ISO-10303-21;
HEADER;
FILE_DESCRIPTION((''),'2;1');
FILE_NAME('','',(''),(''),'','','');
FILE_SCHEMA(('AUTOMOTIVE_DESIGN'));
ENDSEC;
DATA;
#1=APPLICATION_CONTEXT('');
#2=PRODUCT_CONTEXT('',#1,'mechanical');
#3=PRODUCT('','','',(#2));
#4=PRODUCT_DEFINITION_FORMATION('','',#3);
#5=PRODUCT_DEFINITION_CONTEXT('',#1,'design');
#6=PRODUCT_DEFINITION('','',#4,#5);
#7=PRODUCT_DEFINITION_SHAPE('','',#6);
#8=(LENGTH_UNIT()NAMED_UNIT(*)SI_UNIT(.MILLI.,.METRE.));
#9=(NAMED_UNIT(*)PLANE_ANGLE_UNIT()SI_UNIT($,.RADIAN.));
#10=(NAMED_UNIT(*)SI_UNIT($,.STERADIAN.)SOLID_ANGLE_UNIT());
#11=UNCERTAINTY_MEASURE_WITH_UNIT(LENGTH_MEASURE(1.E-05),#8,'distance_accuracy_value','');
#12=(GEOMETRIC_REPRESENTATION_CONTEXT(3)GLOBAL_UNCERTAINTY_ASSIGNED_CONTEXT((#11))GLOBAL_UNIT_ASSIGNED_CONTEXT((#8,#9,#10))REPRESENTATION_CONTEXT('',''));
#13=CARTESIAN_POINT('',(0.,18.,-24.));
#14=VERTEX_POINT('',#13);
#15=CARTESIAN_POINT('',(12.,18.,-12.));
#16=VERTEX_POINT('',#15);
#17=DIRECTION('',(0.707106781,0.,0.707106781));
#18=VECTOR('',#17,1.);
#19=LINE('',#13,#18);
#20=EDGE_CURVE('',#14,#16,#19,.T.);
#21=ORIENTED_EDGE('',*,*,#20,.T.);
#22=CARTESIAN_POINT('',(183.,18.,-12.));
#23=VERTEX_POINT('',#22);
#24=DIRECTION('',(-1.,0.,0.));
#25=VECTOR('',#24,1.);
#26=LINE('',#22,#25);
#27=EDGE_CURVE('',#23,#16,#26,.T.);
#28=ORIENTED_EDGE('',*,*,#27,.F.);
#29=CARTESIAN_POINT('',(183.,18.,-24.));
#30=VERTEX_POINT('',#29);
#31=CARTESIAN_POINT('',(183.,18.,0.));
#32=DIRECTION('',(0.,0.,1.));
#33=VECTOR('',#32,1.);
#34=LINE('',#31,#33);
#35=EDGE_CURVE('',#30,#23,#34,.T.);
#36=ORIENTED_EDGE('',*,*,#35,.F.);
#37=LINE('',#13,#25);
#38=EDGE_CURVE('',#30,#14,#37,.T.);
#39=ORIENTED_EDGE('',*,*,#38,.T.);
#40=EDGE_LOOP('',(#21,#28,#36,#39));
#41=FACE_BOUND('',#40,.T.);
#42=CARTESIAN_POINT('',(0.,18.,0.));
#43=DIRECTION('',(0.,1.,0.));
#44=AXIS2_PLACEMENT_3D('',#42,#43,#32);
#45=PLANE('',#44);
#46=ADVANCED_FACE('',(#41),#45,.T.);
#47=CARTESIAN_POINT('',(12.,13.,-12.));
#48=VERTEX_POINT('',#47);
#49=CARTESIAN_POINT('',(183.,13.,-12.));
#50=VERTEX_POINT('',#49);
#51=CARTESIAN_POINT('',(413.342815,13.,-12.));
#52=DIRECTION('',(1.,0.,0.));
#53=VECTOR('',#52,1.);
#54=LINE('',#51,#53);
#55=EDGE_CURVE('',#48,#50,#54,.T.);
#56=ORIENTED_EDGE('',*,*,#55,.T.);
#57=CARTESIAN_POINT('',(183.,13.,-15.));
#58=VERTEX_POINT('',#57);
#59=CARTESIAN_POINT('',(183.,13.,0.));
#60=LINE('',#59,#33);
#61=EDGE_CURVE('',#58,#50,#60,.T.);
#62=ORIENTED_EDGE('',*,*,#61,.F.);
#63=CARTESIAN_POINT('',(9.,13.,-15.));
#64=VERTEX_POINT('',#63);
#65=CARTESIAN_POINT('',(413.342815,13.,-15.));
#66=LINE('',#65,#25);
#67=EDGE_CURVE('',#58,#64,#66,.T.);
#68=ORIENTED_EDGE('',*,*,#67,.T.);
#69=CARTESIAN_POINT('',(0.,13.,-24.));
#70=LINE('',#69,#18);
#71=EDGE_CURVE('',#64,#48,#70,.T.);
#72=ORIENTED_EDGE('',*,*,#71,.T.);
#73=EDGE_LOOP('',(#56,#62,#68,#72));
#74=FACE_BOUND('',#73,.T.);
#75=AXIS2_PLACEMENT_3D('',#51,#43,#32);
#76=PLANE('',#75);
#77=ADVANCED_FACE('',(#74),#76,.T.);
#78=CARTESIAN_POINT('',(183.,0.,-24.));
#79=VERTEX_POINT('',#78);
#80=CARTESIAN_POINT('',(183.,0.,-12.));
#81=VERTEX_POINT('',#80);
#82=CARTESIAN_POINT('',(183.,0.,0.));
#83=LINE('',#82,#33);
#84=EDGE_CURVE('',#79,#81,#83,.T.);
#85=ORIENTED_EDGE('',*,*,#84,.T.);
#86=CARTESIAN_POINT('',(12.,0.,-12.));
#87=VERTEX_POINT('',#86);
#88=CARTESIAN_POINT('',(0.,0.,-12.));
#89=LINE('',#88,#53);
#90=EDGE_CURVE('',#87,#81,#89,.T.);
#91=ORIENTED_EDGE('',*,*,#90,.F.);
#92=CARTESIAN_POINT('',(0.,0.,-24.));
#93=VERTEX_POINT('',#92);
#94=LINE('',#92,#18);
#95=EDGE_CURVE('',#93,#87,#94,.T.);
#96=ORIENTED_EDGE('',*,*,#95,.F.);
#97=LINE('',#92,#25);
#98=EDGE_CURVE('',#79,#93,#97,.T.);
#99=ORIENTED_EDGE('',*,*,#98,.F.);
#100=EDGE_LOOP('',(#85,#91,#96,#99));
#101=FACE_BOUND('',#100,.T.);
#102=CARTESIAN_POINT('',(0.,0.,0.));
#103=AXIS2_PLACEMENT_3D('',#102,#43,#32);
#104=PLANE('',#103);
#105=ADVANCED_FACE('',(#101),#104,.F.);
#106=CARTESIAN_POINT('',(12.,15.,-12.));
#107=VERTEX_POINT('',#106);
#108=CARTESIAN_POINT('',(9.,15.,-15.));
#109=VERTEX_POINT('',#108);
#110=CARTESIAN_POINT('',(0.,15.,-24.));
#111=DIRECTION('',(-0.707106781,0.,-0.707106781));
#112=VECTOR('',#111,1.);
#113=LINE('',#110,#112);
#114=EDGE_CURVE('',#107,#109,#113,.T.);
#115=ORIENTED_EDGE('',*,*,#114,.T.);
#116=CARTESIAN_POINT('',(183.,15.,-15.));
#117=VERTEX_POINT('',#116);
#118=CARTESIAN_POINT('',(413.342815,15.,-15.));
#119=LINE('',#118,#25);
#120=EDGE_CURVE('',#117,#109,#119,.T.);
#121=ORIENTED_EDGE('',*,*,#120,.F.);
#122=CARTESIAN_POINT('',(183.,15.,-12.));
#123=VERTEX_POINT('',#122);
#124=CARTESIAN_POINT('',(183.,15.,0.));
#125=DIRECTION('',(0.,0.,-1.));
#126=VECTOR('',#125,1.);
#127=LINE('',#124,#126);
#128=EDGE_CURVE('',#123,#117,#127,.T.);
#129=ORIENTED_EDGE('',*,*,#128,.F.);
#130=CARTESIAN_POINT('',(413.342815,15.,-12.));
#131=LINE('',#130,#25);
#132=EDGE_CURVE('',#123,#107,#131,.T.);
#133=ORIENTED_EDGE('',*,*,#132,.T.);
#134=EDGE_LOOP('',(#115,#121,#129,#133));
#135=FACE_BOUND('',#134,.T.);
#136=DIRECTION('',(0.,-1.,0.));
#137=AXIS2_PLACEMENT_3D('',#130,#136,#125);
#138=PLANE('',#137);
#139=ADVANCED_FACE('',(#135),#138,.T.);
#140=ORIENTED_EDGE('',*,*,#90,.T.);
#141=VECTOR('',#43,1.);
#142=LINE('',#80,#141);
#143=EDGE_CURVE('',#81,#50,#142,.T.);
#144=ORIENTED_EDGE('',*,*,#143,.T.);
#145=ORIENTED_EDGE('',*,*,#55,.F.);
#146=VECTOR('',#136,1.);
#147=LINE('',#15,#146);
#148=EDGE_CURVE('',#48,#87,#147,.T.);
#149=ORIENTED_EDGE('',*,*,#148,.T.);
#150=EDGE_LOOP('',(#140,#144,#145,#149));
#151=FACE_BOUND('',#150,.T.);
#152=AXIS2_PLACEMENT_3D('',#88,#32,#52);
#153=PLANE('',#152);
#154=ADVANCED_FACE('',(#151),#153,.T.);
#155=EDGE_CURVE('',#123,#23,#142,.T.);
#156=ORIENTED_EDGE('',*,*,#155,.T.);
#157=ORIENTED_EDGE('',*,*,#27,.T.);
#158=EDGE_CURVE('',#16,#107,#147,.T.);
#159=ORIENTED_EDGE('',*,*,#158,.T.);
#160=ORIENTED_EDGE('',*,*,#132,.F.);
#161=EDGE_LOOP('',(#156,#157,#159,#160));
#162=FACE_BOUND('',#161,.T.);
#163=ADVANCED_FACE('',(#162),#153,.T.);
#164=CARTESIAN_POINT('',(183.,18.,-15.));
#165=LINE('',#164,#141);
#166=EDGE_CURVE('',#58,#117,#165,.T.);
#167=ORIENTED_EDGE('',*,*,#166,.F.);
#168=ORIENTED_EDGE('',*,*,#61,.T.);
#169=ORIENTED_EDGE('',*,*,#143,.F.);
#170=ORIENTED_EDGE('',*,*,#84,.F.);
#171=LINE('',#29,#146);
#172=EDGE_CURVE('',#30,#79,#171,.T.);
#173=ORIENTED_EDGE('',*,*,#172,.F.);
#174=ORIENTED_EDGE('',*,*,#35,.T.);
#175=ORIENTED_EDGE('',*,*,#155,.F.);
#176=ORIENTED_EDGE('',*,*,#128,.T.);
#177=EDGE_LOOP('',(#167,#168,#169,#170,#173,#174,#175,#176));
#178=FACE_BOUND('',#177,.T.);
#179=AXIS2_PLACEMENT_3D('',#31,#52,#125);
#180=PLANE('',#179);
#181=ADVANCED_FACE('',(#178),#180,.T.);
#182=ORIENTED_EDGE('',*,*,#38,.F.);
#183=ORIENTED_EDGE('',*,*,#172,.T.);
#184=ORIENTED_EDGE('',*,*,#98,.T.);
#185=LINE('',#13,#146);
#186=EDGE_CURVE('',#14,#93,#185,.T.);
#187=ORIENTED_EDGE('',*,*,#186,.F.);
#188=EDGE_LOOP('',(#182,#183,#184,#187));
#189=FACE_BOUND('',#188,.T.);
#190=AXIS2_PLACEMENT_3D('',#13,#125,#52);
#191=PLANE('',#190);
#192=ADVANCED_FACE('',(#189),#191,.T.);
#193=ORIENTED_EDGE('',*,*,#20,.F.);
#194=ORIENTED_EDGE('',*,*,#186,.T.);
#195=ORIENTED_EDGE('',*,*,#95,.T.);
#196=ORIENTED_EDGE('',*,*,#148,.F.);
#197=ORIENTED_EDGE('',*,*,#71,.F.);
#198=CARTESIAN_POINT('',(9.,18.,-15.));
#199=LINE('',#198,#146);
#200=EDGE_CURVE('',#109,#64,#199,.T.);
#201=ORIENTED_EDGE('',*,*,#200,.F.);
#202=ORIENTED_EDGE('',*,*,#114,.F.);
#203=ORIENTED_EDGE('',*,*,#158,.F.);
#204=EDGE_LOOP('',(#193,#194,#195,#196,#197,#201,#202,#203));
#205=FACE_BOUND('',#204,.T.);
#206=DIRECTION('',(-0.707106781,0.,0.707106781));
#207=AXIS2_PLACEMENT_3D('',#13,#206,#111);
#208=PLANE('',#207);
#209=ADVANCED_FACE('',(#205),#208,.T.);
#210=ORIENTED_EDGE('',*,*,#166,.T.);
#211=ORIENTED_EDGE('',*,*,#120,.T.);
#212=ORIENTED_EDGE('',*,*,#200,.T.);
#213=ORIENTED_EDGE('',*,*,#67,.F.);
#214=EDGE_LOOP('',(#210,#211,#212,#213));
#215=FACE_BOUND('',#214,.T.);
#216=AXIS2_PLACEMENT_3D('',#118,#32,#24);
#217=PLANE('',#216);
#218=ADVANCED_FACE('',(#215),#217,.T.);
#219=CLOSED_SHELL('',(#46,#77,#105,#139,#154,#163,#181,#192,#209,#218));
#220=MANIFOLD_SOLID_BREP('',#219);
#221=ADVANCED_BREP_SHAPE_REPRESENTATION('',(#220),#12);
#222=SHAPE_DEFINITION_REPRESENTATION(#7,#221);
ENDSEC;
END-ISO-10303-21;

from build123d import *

# Parameters (mm, degrees)
BOSS_EXTRUDE1_DEPTH = 18
SKETCH2_W           = 3
SKETCH2_H           = 2
CUT_EXTRUDE1_DEPTH  = 185.274252135
SKETCH3_W           = 183
SKETCH3_H           = 18
CUT_EXTRUDE2_DEPTH  = 12


with BuildPart() as part:
    # Sketch1 → Boss-Extrude1 (new body)
    with BuildSketch(Plane(origin=(0, 0, 0), x_dir=(1, 0, 0), z_dir=(0, 1, 0))):
        Polygon((183, 0), (0, 0), (12, 12), (183, 12), align=None)
    boss_extrude1 = extrude(amount=BOSS_EXTRUDE1_DEPTH)

    # Sketch2 → Cut-Extrude1 (cut, symmetric)
    with BuildSketch(Plane(origin=(183, 0, 0), x_dir=(0, 0, -1), z_dir=(1, 0, 0))):
        with Locations((10.5, 14)):
            Rectangle(SKETCH2_W, SKETCH2_H)
    cut_extrude1 = extrude(amount=CUT_EXTRUDE1_DEPTH, both=True, mode=Mode.SUBTRACT)

    # Mirror2: Boss-Extrude1, Cut-Extrude1 across plane
    add(boss_extrude1.mirror(Plane(origin=(0, 18, -12), x_dir=(1, 0, 0), z_dir=(0, 0, -1))))
    add(cut_extrude1.mirror(Plane(origin=(0, 18, -12), x_dir=(1, 0, 0), z_dir=(0, 0, -1))), mode=Mode.SUBTRACT)

    # Sketch3 → Cut-Extrude2 (cut)
    with BuildSketch(Plane.XY):
        with Locations((91.5, 9)):
            Rectangle(SKETCH3_W, SKETCH3_H)
    extrude(amount=-CUT_EXTRUDE2_DEPTH, mode=Mode.SUBTRACT)


solid = part.part
